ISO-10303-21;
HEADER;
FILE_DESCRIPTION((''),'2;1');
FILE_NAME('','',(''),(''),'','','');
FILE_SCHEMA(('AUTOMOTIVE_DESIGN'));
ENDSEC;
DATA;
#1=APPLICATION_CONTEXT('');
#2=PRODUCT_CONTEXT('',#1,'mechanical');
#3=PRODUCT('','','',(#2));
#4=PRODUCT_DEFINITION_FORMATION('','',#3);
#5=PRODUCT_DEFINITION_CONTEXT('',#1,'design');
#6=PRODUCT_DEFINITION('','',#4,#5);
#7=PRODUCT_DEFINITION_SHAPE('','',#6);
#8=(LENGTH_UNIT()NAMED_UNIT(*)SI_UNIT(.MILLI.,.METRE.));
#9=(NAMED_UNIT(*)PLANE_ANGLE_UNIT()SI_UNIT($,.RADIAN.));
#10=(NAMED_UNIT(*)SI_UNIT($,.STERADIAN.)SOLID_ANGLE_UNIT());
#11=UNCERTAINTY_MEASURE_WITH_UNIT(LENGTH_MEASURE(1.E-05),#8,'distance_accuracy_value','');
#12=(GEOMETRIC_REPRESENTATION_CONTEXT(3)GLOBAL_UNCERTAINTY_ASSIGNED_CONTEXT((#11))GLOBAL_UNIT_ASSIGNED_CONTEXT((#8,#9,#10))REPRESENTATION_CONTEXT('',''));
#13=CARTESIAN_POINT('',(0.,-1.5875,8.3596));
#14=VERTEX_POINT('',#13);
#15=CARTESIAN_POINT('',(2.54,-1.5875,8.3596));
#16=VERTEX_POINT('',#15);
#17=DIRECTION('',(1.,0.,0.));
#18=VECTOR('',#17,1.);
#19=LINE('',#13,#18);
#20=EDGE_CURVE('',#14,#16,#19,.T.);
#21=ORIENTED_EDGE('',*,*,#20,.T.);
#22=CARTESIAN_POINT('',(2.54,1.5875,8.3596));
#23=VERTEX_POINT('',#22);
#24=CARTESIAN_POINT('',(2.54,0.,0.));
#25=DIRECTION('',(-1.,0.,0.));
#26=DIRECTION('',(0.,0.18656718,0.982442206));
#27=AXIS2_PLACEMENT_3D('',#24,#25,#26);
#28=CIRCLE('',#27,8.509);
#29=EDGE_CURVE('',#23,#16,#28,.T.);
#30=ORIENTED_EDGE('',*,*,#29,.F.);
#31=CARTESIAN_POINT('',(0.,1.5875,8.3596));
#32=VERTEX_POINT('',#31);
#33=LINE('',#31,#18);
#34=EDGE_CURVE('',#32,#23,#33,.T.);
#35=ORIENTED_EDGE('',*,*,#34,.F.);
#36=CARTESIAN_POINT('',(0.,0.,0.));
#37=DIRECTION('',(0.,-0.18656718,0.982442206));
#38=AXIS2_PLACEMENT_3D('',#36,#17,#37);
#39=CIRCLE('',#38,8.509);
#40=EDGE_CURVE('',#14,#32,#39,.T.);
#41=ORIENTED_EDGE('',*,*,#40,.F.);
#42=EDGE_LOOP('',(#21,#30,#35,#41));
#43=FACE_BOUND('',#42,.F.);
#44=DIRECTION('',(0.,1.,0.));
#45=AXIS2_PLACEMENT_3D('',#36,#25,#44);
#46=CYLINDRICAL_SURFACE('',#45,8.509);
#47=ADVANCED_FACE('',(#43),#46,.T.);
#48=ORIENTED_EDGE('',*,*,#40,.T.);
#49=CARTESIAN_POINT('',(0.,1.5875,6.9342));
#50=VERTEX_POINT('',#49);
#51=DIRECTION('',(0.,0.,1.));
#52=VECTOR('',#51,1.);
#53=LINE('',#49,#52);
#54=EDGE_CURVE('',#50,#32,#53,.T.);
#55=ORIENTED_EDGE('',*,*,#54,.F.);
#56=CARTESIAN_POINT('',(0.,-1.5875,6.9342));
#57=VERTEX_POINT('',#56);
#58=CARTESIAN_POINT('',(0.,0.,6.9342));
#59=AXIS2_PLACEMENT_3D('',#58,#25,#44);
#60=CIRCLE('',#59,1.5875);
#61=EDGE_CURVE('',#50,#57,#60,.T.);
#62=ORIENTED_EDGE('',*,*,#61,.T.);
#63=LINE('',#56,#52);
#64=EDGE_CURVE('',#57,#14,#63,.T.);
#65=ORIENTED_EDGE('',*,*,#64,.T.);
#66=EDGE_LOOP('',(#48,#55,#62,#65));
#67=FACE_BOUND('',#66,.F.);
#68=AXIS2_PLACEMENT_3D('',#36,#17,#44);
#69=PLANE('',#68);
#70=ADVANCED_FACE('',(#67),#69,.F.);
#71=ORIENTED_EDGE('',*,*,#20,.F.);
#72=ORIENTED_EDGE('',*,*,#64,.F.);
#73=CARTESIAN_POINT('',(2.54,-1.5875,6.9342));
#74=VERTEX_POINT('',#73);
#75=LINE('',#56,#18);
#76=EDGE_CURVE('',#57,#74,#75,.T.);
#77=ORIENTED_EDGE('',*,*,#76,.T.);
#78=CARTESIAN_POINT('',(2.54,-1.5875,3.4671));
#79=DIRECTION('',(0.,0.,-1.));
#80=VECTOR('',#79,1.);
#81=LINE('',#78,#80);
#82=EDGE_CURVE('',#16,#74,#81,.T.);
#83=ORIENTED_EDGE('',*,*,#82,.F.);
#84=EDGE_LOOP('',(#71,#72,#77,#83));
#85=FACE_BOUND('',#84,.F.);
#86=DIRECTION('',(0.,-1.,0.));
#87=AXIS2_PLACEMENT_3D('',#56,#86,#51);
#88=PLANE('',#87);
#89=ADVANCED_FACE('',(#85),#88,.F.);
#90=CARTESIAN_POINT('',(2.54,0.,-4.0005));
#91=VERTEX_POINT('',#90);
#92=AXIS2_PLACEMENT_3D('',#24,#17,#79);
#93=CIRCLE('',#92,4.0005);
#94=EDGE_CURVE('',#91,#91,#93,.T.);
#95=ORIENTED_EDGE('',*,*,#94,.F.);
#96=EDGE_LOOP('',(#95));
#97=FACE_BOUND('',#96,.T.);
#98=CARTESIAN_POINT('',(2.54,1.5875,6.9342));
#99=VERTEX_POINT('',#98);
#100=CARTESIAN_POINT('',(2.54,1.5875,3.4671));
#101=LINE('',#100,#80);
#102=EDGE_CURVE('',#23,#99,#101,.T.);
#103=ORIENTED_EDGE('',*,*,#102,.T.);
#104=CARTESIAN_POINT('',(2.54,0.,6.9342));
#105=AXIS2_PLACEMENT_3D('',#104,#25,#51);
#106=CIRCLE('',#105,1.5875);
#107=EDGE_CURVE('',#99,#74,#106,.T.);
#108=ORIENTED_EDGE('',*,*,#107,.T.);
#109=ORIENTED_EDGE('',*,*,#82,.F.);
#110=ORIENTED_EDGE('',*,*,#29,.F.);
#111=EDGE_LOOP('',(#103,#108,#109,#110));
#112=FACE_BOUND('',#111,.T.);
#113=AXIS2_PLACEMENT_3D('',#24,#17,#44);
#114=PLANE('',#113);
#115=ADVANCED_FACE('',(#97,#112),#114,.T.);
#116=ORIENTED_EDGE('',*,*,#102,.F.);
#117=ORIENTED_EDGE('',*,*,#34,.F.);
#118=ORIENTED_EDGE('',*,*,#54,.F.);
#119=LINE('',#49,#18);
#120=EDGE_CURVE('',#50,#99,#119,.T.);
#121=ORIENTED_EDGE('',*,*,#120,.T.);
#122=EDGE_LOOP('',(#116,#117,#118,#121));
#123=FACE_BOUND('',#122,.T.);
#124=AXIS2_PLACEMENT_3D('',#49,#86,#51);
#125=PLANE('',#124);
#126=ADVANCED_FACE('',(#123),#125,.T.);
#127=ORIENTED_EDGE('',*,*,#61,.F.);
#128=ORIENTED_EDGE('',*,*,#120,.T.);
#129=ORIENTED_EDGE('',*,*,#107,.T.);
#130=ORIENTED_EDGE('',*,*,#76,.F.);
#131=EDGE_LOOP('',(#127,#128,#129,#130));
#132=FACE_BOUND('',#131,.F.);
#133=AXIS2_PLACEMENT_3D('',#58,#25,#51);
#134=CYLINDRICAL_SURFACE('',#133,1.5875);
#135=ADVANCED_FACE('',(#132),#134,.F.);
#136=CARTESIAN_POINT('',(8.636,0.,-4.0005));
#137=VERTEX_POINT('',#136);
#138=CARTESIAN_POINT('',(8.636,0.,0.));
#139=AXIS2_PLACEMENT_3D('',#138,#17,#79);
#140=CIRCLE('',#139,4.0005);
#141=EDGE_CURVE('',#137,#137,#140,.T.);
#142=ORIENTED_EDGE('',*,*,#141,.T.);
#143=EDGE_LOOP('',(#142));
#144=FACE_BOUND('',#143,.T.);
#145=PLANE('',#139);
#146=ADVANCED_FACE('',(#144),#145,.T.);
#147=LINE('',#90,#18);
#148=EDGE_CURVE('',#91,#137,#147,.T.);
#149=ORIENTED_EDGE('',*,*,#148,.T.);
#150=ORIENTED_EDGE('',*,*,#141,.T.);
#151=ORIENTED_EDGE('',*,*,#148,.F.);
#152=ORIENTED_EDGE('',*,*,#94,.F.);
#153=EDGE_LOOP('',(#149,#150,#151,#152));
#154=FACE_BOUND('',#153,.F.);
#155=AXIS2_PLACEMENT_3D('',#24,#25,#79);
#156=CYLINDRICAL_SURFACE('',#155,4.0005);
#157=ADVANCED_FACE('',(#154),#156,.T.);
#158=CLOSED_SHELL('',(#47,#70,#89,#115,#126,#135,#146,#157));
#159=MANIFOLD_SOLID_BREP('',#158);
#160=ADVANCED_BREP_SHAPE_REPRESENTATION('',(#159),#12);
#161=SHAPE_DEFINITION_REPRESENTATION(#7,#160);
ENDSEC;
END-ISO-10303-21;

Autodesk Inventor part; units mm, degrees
ref_plane "YZ Plane" through (0, 0, 0) normal (1, 0, 0) x (0, 1, 0)
ref_plane "XZ Plane" through (0, 0, 0) normal (0, 1, 0) x (-1, 0, 0)
ref_plane "XY Plane" through (0, 0, 0) normal (0, 0, 1) x (1, 0, 0)
sketch "Sketch1" plane through (0, 0, 0) normal (1, 0, 0) x (0, 1, 0)
  circle A0 centre (0, 0) radius 8.509
  dimension "d1" = 17.018
extrude "Extrusion1" add sketch "Sketch1" along normal blind 2.54
sketch "Sketch2" plane through (2.54, 0, 0) normal (1, 0, 0) x (0, 0, -1)
  circle A0 centre (0, 0) radius 8.509 projected
  circle A1 centre (0, 0) radius 4.0005
  dimension "d5" = 8.001
extrude "Extrusion2" add sketch "Sketch2" along normal blind 6.096 contours A1
sketch "Sketch3" plane through (0, 0, 0) normal (-1, 0, 0) x (0, 0, 1)
  circle A0 centre (0, 0) radius 8.509 projected
  circle A1 centre (6.9342, 0) radius 1.5875
  line L0 (6.9342, -1.5875) -> (8.3596, -1.5875)
  line L1 (6.9342, 1.5875) -> (8.3596, 1.5875)
  line L2 (6.9342, 0) -> (0, 0)
  dimension "d8" = 6.9342
  dimension "d9" = 3.175
extrude "Extrusion3" cut sketch "Sketch3" against normal through all contours A0 A1 L1 | L0 A1 A0 | A1 A0 | A0 A1
properties part number "Pulley Shaft" material "Steel"
